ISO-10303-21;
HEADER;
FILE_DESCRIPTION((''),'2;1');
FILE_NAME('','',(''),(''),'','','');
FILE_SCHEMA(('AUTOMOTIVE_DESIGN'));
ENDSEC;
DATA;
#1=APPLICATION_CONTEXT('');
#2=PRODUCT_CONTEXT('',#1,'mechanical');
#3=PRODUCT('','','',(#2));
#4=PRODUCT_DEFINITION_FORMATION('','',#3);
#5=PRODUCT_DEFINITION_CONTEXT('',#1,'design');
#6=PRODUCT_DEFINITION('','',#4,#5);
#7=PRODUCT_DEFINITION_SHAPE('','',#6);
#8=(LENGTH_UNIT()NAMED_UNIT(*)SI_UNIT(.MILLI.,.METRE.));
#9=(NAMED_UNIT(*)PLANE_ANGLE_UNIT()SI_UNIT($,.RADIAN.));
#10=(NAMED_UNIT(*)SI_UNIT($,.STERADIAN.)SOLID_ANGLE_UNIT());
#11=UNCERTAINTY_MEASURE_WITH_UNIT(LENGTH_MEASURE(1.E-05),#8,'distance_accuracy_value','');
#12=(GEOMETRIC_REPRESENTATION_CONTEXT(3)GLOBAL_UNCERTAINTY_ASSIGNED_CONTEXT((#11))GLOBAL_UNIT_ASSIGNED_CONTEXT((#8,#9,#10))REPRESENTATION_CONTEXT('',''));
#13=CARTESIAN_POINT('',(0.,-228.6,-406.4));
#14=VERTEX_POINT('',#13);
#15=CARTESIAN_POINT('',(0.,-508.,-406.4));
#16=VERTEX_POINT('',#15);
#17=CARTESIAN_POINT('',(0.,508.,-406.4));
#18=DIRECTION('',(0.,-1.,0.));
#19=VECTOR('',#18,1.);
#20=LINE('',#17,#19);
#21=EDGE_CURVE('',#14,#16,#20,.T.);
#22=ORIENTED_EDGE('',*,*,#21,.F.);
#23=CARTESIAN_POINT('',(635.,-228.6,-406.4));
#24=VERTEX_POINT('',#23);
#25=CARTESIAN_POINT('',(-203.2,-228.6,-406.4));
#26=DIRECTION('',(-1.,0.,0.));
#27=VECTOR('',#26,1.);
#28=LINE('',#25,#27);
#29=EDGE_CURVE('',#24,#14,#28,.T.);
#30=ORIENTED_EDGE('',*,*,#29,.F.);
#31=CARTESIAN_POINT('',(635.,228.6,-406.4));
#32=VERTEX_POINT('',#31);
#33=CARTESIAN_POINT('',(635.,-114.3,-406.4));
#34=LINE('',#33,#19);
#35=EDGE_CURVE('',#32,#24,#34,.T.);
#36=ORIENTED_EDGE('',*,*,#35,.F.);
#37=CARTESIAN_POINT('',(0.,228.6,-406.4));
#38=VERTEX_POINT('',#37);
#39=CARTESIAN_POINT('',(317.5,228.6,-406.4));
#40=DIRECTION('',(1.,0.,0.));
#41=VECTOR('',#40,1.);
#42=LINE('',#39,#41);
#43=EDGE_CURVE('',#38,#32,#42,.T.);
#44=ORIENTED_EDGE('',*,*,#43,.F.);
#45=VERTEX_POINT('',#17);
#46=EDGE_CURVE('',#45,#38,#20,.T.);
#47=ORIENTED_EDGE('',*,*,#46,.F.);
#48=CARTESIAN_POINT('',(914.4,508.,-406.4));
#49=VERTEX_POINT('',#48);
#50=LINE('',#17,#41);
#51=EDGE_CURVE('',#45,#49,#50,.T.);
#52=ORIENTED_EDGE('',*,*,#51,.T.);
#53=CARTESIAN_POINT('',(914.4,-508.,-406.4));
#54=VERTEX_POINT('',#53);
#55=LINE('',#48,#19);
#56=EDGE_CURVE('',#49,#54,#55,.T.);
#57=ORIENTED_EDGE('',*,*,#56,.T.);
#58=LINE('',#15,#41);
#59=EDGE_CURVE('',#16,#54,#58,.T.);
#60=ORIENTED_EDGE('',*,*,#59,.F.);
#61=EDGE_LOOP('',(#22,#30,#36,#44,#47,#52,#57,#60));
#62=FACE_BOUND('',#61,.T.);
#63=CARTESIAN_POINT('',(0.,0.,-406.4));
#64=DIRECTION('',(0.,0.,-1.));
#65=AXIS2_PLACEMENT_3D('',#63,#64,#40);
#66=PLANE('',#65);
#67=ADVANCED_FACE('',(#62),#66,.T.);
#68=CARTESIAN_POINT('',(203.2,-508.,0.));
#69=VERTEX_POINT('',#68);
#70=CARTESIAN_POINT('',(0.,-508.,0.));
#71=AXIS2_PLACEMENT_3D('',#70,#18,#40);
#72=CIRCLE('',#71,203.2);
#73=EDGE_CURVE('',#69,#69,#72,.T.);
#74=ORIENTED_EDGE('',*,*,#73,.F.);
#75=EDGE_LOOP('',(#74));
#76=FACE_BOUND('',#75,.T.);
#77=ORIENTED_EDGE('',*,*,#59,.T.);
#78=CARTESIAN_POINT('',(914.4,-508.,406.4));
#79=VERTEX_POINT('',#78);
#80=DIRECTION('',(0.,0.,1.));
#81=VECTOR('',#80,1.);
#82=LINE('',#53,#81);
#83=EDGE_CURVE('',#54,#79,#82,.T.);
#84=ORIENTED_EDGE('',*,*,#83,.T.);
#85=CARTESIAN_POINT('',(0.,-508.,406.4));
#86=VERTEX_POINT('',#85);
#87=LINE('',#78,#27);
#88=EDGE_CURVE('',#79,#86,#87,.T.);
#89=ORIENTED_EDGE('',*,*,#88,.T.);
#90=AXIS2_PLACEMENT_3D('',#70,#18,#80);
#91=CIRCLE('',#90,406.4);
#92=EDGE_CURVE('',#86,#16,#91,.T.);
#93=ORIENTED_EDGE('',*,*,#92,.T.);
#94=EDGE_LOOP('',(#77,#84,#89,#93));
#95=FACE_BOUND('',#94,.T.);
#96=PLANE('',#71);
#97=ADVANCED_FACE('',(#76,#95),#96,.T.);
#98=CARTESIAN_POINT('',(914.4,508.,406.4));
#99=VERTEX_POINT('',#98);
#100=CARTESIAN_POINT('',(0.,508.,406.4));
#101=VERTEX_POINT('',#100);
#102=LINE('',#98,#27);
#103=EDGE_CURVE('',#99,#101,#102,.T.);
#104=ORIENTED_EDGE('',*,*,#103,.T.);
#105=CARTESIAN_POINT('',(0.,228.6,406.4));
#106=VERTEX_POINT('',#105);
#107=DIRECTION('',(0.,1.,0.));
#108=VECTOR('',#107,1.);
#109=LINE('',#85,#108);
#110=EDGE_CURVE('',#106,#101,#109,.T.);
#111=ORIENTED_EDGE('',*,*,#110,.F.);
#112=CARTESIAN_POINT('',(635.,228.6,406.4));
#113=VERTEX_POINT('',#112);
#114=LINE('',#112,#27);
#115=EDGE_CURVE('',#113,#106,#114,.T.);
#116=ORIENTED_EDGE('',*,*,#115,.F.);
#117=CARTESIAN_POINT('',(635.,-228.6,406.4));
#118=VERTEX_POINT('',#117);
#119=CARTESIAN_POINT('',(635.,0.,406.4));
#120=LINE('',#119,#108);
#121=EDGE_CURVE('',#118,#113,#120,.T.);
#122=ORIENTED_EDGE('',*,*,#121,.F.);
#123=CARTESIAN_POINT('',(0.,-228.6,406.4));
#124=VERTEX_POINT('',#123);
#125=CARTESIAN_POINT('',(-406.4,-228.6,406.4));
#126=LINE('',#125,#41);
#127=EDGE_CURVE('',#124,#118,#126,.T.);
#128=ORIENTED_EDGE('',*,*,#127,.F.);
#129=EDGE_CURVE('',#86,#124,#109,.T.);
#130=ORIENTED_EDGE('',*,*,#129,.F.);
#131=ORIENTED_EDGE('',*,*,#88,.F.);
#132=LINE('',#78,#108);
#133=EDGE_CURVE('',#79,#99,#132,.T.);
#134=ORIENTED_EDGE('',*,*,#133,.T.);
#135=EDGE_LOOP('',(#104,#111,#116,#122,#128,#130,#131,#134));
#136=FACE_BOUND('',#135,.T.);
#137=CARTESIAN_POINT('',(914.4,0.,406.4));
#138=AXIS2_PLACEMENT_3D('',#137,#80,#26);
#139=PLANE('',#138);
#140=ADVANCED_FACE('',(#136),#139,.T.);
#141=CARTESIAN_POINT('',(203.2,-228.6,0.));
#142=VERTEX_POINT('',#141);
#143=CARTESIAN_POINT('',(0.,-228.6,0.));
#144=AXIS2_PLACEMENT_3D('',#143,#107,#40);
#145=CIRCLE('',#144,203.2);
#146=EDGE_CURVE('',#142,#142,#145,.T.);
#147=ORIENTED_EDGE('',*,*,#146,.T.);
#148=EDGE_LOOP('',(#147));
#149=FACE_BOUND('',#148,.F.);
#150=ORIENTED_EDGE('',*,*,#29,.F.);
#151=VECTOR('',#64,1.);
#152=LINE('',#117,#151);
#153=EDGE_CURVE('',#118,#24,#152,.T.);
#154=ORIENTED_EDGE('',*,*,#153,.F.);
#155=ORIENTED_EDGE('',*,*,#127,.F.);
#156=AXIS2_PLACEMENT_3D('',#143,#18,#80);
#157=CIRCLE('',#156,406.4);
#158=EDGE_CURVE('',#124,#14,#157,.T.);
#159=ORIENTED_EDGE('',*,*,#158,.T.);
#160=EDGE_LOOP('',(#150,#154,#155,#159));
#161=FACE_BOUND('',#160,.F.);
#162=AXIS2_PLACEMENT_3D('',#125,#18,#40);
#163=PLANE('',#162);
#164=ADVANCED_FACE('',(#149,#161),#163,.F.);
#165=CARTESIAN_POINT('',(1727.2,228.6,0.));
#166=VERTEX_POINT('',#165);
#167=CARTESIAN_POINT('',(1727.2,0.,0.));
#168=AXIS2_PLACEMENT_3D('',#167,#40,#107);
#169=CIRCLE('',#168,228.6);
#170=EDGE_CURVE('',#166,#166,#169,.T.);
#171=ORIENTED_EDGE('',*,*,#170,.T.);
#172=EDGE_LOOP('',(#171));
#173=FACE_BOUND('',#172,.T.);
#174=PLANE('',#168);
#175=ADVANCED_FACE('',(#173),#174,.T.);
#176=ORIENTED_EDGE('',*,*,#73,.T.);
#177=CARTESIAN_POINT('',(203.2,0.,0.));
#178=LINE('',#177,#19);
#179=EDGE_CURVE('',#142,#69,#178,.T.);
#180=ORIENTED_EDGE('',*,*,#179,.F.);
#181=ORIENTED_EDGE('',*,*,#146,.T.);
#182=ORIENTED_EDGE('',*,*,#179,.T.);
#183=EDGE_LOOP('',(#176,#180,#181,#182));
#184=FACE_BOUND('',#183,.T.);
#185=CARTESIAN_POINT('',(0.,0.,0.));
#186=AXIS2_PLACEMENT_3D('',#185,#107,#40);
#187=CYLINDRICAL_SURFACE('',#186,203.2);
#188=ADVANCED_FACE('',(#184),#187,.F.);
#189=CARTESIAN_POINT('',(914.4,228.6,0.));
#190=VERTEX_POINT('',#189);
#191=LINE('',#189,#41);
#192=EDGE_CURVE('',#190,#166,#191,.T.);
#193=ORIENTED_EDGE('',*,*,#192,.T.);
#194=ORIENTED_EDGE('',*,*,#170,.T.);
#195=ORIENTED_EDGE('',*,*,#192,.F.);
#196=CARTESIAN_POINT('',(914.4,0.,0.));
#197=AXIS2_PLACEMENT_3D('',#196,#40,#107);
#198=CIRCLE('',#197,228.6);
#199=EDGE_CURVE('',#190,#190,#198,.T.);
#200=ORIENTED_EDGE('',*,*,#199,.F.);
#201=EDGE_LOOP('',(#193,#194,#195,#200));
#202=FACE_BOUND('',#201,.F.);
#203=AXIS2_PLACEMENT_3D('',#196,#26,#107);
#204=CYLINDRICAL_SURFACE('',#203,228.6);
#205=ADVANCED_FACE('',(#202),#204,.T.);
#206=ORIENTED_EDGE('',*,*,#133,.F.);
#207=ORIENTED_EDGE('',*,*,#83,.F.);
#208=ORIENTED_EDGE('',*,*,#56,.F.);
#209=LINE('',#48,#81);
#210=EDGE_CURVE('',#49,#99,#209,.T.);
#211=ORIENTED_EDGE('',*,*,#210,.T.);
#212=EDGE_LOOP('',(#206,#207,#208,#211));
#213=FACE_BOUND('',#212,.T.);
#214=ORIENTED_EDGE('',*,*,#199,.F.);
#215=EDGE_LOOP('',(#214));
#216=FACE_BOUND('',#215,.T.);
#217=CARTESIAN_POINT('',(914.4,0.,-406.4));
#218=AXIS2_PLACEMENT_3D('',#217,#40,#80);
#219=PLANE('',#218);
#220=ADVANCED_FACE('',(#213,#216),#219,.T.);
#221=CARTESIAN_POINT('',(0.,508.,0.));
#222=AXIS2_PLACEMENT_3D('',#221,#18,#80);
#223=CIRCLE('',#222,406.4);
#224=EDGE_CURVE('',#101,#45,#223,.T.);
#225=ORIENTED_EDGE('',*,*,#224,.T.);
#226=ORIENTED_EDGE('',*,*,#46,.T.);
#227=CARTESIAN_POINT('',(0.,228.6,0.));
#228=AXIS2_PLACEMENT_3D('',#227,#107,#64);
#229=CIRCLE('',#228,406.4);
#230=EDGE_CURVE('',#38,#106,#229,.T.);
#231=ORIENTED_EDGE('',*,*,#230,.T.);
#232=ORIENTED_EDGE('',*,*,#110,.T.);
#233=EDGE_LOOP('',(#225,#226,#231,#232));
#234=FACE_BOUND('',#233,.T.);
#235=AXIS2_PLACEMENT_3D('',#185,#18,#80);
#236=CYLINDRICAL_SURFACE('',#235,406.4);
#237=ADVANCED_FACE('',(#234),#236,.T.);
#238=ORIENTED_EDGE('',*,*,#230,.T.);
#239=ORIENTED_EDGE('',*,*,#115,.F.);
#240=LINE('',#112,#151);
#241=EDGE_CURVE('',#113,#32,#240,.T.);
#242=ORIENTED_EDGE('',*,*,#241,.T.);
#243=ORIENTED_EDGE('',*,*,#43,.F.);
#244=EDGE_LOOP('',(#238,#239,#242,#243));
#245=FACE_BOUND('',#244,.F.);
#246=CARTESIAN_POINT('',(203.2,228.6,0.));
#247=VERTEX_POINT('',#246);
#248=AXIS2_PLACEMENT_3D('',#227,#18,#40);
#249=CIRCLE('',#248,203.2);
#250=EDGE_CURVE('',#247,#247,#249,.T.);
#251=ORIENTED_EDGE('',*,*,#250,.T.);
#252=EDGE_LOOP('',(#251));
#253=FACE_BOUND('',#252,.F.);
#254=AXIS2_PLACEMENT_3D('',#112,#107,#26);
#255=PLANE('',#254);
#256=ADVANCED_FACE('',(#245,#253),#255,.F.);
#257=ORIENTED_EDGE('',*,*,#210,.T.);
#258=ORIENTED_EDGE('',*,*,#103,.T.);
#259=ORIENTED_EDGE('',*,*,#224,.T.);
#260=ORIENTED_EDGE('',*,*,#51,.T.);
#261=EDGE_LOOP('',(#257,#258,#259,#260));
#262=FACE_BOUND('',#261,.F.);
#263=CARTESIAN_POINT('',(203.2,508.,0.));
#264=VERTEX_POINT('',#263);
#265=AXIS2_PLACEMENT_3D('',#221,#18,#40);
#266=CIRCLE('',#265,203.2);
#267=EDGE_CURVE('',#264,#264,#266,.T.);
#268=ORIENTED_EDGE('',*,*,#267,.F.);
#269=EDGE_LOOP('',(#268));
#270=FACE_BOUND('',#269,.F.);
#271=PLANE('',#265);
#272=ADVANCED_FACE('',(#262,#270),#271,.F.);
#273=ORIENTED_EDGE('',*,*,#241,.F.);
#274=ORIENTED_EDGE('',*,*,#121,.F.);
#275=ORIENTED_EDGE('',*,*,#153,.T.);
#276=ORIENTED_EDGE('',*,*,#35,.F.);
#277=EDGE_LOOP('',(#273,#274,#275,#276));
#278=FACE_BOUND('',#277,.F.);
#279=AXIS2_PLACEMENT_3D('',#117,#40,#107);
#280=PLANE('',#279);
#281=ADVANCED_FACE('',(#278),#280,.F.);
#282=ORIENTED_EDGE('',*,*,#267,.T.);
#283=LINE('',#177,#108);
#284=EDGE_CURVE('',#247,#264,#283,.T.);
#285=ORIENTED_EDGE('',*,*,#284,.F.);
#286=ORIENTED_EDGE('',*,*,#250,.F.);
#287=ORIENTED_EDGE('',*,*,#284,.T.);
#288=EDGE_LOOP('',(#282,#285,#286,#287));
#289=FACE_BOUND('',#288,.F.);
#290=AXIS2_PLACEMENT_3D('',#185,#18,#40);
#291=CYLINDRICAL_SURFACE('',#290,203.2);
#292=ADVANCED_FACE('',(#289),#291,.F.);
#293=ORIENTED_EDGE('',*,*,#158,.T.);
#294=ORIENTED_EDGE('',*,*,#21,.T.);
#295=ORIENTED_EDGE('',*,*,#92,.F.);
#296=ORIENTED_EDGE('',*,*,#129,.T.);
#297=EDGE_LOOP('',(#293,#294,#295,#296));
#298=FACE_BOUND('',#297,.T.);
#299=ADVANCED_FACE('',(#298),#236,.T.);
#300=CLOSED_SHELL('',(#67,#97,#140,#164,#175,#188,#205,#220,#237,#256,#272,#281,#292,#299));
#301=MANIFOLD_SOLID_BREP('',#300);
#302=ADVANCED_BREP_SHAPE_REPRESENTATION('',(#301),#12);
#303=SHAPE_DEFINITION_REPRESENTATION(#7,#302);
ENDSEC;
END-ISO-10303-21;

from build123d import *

# Parameters (mm, degrees)
F0_R     = 203.2
F1_DEPTH = 508
F2_DEPTH = 508
F3_R     = 228.6
F4_DEPTH = 812.8
F5_W     = 635
F5_H     = 457.2
F5_W_2   = 406.4
F6_DEPTH = 812.801


with BuildPart() as f1:
    # F0 (on Front) → F1 (new body)
    with BuildSketch(Plane.XZ):
        with BuildLine():
            ThreePointArc((0, -406.4), (287.3681958742, -287.3681958742), (406.4, 0))
            ThreePointArc((406.4, 0), (287.3681958742, 287.3681958742), (0, 406.4))
            ThreePointArc((0, 406.4), (-406.4, 0), (0, -406.4))
        make_face()
        Circle(F0_R, mode=Mode.SUBTRACT)
        with BuildLine():
            ThreePointArc((0, 406.4), (287.3681958742, 287.3681958742), (406.4, 0))
            ThreePointArc((406.4, 0), (287.3681958742, -287.3681958742), (0, -406.4))
            Line((0, -406.4), (914.4, -406.4))
            Line((914.4, -406.4), (914.4, -228.6))
            Line((914.4, -228.6), (914.4, 228.6))
            Line((914.4, 228.6), (914.4, 406.4))
            Line((914.4, 406.4), (0, 406.4))
        make_face()
    extrude(amount=F1_DEPTH)

    # F0 (on Front) → F2 (join)
    with BuildSketch(Plane.XZ):
        with BuildLine():
            ThreePointArc((0, -406.4), (287.3681958742, -287.3681958742), (406.4, 0))
            ThreePointArc((406.4, 0), (287.3681958742, 287.3681958742), (0, 406.4))
            ThreePointArc((0, 406.4), (-406.4, 0), (0, -406.4))
        make_face()
        Circle(F0_R, mode=Mode.SUBTRACT)
        with BuildLine():
            ThreePointArc((0, 406.4), (287.3681958742, 287.3681958742), (406.4, 0))
            ThreePointArc((406.4, 0), (287.3681958742, -287.3681958742), (0, -406.4))
            Line((0, -406.4), (914.4, -406.4))
            Line((914.4, -406.4), (914.4, -228.6))
            Line((914.4, -228.6), (914.4, 228.6))
            Line((914.4, 228.6), (914.4, 406.4))
            Line((914.4, 406.4), (0, 406.4))
        make_face()
    extrude(amount=-F2_DEPTH)

    # F3 (on face) → F4 (join)
    with BuildSketch(Plane.YZ.offset(914.4)):
        Circle(F3_R)
    extrude(amount=F4_DEPTH)

    # F5 (on face) → F6 (cut, through all)
    with BuildSketch(Plane.XY.offset(406.4)):
        with Locations((317.5, 0)):
            Rectangle(F5_W, F5_H)
        with Locations((-203.2, 0)):
            Rectangle(F5_W_2, F5_H)
    extrude(amount=-F6_DEPTH, mode=Mode.SUBTRACT)


solid = f1.part
